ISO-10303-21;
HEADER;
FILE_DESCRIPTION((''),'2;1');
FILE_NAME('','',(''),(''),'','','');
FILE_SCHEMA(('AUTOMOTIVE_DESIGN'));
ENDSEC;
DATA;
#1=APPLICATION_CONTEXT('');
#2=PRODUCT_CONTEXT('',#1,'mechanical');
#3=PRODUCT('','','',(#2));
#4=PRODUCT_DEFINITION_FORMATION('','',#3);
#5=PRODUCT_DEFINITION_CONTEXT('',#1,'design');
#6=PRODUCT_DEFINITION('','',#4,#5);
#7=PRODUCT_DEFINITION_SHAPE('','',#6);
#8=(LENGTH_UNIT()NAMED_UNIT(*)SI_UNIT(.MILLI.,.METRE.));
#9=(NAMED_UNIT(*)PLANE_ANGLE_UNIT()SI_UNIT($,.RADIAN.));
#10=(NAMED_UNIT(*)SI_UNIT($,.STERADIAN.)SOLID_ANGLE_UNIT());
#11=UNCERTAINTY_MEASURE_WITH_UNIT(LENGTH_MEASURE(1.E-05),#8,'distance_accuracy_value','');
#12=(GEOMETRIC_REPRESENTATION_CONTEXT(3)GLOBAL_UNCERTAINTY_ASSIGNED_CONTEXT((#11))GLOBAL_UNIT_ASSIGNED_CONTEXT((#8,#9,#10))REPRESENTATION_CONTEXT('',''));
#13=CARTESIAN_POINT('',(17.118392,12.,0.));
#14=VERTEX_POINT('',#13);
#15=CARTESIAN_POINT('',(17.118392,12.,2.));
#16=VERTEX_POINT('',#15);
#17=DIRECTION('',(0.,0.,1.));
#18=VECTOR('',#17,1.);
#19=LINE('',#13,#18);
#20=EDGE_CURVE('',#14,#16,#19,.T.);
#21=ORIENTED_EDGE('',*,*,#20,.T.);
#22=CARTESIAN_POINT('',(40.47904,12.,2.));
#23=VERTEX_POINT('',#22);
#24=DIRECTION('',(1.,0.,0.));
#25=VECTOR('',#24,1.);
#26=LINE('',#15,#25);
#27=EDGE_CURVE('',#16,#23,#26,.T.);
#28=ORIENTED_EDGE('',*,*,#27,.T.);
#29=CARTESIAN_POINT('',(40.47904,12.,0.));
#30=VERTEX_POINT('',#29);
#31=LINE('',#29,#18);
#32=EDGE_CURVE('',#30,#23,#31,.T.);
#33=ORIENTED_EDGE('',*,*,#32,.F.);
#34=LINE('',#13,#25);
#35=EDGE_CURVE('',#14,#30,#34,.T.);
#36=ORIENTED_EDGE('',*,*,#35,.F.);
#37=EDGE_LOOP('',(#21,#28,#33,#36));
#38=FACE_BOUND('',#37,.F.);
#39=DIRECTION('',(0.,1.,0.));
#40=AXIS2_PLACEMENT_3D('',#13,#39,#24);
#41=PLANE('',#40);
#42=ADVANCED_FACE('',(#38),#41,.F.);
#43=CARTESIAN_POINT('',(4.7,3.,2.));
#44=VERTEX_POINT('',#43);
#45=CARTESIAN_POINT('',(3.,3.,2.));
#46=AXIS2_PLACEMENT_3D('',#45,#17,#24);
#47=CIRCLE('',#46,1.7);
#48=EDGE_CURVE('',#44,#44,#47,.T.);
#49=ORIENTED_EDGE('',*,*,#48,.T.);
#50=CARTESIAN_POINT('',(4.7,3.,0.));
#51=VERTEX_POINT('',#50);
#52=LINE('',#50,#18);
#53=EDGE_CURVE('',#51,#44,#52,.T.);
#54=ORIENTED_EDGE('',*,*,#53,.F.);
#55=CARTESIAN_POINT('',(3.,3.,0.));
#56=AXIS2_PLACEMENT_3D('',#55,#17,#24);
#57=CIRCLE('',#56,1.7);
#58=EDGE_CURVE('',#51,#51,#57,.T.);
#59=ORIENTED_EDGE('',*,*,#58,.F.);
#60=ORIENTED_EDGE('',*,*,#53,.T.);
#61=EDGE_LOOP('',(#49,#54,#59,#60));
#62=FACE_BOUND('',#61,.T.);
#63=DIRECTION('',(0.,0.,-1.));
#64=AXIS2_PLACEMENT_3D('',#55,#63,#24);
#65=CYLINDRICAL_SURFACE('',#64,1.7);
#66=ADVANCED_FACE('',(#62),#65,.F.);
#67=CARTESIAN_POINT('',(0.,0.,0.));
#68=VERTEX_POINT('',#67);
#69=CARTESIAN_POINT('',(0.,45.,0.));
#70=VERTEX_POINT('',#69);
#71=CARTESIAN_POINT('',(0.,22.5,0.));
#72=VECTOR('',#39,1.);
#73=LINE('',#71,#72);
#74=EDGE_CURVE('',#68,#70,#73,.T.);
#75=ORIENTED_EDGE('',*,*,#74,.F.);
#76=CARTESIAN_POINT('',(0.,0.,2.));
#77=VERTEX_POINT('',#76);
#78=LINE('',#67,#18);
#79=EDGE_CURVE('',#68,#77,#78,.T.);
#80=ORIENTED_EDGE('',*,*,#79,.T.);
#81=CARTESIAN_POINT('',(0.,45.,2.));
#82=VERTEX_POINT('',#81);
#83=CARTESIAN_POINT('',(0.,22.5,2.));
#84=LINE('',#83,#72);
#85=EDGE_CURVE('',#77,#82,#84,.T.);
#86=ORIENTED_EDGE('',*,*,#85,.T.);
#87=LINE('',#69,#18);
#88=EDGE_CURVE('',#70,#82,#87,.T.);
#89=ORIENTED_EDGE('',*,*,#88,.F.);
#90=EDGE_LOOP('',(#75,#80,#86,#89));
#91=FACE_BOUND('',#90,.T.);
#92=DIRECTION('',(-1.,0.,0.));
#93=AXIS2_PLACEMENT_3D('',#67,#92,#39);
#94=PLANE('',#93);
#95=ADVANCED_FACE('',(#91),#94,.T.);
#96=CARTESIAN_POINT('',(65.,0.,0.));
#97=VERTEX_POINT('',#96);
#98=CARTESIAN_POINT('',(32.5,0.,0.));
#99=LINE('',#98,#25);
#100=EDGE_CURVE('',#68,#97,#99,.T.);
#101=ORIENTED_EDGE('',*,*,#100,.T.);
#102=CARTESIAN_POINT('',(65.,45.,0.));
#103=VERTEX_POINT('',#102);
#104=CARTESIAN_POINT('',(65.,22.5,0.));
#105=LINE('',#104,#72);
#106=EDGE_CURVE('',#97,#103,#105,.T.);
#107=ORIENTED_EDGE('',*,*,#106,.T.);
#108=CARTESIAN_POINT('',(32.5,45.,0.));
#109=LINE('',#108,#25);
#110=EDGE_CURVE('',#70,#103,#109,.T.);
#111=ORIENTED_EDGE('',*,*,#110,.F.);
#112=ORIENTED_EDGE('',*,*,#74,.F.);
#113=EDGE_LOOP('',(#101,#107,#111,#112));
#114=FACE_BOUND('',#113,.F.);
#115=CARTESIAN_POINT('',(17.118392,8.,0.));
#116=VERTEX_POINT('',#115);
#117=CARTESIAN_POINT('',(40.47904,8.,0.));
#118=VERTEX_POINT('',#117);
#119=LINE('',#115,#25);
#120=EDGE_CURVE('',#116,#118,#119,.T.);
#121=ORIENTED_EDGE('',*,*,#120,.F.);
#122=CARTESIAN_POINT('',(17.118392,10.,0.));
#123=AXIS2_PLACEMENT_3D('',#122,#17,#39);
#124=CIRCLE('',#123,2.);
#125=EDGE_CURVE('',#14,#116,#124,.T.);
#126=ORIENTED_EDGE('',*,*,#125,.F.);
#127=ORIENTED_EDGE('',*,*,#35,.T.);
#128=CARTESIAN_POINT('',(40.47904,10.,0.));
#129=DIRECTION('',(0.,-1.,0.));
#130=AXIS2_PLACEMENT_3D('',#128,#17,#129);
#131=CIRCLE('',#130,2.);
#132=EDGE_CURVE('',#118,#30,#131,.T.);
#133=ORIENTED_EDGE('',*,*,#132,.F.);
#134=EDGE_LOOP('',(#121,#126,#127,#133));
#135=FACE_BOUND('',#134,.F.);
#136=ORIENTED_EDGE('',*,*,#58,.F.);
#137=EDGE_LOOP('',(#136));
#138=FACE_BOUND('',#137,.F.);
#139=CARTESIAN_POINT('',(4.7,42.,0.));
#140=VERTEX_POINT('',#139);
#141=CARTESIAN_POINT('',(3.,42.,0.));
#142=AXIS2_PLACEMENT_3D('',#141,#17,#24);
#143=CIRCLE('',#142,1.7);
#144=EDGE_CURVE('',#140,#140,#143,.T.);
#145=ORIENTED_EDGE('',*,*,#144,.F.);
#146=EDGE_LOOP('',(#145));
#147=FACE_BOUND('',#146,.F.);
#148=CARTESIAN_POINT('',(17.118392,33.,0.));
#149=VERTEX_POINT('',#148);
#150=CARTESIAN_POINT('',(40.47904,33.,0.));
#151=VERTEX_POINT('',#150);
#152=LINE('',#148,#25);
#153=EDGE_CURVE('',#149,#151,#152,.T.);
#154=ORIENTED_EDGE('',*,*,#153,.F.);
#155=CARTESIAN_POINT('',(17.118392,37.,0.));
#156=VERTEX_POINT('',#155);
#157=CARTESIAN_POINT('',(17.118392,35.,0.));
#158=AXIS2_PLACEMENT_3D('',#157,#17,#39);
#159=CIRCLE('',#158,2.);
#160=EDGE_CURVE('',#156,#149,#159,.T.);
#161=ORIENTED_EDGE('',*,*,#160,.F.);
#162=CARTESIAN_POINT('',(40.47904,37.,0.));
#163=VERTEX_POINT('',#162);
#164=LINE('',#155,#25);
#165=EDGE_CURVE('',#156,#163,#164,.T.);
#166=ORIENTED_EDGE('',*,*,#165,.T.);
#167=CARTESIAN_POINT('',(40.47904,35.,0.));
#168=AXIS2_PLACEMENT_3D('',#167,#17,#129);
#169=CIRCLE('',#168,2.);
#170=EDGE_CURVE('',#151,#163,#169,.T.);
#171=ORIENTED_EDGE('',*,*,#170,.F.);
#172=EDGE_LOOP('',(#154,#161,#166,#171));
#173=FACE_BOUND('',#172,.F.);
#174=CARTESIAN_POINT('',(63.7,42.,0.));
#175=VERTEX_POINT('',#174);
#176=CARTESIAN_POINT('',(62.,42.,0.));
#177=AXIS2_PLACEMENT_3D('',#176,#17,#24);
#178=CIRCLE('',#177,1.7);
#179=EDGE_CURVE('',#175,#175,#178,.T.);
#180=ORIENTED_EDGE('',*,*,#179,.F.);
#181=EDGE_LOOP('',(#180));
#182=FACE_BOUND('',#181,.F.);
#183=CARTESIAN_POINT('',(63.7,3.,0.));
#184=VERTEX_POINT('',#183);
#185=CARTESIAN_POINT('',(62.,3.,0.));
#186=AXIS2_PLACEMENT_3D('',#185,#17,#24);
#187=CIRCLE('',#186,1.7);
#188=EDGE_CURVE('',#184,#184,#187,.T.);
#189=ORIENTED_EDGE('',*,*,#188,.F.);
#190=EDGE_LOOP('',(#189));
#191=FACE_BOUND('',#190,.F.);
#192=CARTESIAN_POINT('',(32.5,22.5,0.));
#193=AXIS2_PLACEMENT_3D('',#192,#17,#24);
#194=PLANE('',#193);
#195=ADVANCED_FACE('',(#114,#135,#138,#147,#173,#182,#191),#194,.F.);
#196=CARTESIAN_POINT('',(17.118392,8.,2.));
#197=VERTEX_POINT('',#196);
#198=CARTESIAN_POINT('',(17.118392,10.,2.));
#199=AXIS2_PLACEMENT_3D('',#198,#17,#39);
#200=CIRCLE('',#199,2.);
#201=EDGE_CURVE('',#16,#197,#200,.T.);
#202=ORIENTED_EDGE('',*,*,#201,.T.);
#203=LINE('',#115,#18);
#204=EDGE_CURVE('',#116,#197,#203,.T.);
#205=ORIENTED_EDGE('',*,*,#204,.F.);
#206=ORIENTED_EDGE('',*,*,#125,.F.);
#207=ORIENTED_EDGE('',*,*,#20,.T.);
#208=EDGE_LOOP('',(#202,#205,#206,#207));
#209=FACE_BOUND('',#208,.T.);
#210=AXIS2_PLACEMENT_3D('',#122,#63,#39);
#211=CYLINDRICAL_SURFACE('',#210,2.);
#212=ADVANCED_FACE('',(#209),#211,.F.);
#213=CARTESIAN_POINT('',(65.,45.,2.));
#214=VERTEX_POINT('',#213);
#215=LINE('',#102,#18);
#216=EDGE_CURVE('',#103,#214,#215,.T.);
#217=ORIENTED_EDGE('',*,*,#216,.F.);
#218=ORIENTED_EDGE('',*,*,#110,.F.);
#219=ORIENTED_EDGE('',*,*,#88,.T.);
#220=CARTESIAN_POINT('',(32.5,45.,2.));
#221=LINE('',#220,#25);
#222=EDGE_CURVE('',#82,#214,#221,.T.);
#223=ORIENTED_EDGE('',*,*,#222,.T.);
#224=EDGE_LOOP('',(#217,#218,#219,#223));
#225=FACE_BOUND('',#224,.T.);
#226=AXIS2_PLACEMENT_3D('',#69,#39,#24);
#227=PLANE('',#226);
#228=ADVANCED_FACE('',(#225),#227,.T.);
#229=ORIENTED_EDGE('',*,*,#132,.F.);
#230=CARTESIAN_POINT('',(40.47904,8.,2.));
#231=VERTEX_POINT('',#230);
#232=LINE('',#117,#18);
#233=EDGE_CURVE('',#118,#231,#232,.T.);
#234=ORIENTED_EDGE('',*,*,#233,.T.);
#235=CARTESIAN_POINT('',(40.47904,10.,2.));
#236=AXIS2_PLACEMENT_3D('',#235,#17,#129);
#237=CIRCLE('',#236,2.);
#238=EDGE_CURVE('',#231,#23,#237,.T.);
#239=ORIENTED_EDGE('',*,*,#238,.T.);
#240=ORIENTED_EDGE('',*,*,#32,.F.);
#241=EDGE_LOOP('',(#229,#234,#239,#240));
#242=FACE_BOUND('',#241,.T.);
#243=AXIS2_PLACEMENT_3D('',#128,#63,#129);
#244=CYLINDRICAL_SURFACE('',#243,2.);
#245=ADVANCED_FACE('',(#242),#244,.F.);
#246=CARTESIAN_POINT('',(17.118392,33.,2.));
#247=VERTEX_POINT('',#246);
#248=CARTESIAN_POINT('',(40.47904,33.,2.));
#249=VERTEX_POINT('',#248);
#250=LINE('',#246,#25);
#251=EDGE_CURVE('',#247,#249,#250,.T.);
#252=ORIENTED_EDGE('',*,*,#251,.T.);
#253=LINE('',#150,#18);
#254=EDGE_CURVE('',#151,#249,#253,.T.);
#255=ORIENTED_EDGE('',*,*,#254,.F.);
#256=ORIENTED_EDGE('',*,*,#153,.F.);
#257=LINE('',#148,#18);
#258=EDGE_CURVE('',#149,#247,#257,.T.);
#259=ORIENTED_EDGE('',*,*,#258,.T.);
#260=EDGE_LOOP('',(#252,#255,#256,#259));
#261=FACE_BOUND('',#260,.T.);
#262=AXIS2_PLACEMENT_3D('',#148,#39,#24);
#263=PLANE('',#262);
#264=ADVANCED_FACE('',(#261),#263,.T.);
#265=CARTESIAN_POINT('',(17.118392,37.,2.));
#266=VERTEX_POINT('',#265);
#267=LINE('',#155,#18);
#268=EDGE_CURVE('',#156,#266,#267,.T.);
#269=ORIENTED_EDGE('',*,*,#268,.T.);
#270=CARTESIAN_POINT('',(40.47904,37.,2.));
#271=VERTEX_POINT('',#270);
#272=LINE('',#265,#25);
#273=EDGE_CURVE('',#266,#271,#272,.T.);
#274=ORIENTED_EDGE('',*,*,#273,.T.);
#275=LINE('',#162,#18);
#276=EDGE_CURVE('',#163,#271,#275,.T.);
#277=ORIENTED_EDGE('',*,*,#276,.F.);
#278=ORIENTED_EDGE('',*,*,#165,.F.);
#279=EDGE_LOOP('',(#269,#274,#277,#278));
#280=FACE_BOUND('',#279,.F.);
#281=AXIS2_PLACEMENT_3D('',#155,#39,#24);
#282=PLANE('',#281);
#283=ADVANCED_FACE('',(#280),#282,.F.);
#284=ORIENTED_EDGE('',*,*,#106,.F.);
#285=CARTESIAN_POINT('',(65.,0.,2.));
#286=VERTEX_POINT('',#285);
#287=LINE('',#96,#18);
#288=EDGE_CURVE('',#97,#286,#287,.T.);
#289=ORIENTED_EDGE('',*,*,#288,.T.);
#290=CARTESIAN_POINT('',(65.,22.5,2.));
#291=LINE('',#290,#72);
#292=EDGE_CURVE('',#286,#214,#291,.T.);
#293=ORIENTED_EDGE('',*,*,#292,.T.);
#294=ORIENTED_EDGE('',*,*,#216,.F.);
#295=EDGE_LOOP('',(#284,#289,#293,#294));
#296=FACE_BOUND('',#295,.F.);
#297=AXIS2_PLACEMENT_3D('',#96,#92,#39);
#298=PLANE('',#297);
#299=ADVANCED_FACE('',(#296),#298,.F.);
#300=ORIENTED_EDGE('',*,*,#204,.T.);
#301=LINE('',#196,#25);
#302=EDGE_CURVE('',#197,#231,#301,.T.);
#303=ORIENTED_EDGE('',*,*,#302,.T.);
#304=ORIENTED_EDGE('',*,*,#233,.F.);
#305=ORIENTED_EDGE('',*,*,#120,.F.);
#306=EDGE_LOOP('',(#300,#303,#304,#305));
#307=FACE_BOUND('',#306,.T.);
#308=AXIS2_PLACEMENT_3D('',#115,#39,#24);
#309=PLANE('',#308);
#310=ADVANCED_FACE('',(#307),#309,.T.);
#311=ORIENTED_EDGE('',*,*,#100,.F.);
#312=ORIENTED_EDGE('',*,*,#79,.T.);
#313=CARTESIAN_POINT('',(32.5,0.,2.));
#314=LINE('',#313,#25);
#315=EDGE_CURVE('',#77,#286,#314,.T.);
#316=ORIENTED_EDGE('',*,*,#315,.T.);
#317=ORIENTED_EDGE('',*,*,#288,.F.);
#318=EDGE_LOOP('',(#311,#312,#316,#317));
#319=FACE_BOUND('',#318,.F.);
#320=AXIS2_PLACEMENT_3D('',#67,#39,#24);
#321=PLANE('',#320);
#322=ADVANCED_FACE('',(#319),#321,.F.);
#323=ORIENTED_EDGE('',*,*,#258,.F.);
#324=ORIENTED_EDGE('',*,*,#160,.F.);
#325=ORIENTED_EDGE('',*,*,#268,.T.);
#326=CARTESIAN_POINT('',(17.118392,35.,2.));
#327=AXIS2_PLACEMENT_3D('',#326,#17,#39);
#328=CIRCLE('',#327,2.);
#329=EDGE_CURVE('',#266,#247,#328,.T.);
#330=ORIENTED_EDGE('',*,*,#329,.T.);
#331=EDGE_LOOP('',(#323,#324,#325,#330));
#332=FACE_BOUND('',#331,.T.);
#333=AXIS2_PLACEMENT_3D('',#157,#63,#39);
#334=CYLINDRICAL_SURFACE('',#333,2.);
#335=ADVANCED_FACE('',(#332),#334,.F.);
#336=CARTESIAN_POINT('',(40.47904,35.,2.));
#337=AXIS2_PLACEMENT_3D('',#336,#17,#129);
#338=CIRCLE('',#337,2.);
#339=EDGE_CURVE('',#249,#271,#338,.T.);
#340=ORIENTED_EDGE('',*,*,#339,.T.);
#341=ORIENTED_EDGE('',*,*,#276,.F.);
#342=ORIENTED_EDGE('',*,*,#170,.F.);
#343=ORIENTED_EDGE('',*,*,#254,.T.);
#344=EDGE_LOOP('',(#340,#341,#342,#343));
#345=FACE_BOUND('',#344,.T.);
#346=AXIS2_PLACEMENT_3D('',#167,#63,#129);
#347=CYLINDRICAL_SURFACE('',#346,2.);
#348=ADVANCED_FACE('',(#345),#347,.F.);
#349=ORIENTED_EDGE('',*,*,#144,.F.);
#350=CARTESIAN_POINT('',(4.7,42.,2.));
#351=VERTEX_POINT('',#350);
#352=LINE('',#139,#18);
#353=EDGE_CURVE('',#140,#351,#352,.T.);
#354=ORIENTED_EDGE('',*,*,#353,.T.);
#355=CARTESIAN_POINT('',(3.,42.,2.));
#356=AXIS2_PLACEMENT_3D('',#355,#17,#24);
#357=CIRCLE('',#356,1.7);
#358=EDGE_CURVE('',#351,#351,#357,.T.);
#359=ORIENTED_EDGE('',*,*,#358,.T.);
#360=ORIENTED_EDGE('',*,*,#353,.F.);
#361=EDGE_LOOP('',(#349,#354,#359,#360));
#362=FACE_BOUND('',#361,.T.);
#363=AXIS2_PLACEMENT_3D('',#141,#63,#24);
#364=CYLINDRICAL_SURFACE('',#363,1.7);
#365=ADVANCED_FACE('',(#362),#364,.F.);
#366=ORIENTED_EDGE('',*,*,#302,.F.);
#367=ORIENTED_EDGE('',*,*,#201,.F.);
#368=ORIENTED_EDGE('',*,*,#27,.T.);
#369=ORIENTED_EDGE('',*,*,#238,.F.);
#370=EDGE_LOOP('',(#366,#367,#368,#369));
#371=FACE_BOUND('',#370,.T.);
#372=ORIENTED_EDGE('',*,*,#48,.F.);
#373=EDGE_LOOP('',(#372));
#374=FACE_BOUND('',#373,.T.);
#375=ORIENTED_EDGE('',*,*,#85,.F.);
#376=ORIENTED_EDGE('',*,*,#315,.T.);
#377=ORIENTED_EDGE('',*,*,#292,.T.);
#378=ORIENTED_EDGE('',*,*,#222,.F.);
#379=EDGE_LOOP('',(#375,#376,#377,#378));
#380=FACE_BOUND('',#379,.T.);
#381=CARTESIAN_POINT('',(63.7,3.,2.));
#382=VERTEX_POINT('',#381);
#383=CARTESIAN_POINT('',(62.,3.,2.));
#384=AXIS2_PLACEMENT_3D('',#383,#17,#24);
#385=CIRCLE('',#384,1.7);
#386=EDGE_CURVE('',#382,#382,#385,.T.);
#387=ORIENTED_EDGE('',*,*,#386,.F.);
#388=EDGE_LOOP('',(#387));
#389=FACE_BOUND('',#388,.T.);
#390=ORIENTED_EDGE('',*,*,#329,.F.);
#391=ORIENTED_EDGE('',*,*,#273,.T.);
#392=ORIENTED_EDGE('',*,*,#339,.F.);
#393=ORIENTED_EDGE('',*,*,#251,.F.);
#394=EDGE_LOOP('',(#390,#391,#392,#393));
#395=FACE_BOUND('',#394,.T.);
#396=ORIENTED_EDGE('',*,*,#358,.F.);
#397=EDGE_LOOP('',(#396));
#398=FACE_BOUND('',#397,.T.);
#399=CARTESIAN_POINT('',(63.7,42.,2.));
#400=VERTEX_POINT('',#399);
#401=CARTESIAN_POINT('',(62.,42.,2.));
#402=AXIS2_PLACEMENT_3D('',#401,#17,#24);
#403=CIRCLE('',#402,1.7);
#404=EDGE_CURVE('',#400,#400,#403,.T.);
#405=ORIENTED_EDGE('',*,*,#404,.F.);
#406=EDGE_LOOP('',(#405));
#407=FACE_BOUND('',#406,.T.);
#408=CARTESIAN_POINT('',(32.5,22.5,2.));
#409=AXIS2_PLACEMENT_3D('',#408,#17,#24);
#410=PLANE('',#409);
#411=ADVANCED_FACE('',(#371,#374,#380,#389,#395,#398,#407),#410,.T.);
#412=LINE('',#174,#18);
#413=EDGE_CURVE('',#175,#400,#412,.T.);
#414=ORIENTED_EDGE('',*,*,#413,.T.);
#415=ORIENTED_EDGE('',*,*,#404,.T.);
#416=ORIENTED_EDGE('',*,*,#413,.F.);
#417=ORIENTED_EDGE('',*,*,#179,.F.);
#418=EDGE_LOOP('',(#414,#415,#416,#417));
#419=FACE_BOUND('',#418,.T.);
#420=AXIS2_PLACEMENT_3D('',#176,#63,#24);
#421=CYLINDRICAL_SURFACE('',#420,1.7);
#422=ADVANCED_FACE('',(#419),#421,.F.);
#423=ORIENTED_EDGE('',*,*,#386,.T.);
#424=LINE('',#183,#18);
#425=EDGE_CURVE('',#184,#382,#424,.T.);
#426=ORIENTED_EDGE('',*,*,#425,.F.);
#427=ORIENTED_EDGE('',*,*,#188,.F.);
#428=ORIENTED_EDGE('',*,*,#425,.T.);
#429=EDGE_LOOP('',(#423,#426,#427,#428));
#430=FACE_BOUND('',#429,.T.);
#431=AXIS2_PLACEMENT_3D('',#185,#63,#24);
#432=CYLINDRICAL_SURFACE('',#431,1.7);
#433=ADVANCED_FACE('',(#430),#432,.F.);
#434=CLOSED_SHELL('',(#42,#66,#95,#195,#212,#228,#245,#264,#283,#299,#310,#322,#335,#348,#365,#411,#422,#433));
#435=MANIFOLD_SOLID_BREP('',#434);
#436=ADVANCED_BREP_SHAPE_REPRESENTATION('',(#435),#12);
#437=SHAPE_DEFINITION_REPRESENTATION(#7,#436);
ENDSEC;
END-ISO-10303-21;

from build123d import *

# Parameters (mm, degrees)
SKETCH_W  = 65
SKETCH_H  = 45
SKETCH_R  = 1.7
PAD_DEPTH = 2


with BuildPart() as part:
    # Sketch → Pad (new body)
    with BuildSketch(Plane.XY):
        with Locations((32.5, 22.5)):
            Rectangle(SKETCH_W, SKETCH_H)
        with Locations((3, 42)):
            Circle(SKETCH_R, mode=Mode.SUBTRACT)
        with Locations((62, 42)):
            Circle(SKETCH_R, mode=Mode.SUBTRACT)
        with Locations((3, 3)):
            Circle(SKETCH_R, mode=Mode.SUBTRACT)
        with Locations((62, 3)):
            Circle(SKETCH_R, mode=Mode.SUBTRACT)
        with BuildLine():
            ThreePointArc((17.118392, 37), (15.118392, 35), (17.118392, 33))
            Line((17.118392, 33), (40.47904, 33))
            ThreePointArc((40.47904, 33), (42.47904, 35), (40.47904, 37))
            Line((17.118392, 37), (40.47904, 37))
        make_face(mode=Mode.SUBTRACT)
        with BuildLine():
            ThreePointArc((17.118392, 12), (15.118392, 10), (17.118392, 8))
            Line((17.118392, 8), (40.47904, 8))
            ThreePointArc((40.47904, 8), (42.47904, 10), (40.47904, 12))
            Line((17.118392, 12), (40.47904, 12))
        make_face(mode=Mode.SUBTRACT)
    extrude(amount=PAD_DEPTH)


solid = part.part
